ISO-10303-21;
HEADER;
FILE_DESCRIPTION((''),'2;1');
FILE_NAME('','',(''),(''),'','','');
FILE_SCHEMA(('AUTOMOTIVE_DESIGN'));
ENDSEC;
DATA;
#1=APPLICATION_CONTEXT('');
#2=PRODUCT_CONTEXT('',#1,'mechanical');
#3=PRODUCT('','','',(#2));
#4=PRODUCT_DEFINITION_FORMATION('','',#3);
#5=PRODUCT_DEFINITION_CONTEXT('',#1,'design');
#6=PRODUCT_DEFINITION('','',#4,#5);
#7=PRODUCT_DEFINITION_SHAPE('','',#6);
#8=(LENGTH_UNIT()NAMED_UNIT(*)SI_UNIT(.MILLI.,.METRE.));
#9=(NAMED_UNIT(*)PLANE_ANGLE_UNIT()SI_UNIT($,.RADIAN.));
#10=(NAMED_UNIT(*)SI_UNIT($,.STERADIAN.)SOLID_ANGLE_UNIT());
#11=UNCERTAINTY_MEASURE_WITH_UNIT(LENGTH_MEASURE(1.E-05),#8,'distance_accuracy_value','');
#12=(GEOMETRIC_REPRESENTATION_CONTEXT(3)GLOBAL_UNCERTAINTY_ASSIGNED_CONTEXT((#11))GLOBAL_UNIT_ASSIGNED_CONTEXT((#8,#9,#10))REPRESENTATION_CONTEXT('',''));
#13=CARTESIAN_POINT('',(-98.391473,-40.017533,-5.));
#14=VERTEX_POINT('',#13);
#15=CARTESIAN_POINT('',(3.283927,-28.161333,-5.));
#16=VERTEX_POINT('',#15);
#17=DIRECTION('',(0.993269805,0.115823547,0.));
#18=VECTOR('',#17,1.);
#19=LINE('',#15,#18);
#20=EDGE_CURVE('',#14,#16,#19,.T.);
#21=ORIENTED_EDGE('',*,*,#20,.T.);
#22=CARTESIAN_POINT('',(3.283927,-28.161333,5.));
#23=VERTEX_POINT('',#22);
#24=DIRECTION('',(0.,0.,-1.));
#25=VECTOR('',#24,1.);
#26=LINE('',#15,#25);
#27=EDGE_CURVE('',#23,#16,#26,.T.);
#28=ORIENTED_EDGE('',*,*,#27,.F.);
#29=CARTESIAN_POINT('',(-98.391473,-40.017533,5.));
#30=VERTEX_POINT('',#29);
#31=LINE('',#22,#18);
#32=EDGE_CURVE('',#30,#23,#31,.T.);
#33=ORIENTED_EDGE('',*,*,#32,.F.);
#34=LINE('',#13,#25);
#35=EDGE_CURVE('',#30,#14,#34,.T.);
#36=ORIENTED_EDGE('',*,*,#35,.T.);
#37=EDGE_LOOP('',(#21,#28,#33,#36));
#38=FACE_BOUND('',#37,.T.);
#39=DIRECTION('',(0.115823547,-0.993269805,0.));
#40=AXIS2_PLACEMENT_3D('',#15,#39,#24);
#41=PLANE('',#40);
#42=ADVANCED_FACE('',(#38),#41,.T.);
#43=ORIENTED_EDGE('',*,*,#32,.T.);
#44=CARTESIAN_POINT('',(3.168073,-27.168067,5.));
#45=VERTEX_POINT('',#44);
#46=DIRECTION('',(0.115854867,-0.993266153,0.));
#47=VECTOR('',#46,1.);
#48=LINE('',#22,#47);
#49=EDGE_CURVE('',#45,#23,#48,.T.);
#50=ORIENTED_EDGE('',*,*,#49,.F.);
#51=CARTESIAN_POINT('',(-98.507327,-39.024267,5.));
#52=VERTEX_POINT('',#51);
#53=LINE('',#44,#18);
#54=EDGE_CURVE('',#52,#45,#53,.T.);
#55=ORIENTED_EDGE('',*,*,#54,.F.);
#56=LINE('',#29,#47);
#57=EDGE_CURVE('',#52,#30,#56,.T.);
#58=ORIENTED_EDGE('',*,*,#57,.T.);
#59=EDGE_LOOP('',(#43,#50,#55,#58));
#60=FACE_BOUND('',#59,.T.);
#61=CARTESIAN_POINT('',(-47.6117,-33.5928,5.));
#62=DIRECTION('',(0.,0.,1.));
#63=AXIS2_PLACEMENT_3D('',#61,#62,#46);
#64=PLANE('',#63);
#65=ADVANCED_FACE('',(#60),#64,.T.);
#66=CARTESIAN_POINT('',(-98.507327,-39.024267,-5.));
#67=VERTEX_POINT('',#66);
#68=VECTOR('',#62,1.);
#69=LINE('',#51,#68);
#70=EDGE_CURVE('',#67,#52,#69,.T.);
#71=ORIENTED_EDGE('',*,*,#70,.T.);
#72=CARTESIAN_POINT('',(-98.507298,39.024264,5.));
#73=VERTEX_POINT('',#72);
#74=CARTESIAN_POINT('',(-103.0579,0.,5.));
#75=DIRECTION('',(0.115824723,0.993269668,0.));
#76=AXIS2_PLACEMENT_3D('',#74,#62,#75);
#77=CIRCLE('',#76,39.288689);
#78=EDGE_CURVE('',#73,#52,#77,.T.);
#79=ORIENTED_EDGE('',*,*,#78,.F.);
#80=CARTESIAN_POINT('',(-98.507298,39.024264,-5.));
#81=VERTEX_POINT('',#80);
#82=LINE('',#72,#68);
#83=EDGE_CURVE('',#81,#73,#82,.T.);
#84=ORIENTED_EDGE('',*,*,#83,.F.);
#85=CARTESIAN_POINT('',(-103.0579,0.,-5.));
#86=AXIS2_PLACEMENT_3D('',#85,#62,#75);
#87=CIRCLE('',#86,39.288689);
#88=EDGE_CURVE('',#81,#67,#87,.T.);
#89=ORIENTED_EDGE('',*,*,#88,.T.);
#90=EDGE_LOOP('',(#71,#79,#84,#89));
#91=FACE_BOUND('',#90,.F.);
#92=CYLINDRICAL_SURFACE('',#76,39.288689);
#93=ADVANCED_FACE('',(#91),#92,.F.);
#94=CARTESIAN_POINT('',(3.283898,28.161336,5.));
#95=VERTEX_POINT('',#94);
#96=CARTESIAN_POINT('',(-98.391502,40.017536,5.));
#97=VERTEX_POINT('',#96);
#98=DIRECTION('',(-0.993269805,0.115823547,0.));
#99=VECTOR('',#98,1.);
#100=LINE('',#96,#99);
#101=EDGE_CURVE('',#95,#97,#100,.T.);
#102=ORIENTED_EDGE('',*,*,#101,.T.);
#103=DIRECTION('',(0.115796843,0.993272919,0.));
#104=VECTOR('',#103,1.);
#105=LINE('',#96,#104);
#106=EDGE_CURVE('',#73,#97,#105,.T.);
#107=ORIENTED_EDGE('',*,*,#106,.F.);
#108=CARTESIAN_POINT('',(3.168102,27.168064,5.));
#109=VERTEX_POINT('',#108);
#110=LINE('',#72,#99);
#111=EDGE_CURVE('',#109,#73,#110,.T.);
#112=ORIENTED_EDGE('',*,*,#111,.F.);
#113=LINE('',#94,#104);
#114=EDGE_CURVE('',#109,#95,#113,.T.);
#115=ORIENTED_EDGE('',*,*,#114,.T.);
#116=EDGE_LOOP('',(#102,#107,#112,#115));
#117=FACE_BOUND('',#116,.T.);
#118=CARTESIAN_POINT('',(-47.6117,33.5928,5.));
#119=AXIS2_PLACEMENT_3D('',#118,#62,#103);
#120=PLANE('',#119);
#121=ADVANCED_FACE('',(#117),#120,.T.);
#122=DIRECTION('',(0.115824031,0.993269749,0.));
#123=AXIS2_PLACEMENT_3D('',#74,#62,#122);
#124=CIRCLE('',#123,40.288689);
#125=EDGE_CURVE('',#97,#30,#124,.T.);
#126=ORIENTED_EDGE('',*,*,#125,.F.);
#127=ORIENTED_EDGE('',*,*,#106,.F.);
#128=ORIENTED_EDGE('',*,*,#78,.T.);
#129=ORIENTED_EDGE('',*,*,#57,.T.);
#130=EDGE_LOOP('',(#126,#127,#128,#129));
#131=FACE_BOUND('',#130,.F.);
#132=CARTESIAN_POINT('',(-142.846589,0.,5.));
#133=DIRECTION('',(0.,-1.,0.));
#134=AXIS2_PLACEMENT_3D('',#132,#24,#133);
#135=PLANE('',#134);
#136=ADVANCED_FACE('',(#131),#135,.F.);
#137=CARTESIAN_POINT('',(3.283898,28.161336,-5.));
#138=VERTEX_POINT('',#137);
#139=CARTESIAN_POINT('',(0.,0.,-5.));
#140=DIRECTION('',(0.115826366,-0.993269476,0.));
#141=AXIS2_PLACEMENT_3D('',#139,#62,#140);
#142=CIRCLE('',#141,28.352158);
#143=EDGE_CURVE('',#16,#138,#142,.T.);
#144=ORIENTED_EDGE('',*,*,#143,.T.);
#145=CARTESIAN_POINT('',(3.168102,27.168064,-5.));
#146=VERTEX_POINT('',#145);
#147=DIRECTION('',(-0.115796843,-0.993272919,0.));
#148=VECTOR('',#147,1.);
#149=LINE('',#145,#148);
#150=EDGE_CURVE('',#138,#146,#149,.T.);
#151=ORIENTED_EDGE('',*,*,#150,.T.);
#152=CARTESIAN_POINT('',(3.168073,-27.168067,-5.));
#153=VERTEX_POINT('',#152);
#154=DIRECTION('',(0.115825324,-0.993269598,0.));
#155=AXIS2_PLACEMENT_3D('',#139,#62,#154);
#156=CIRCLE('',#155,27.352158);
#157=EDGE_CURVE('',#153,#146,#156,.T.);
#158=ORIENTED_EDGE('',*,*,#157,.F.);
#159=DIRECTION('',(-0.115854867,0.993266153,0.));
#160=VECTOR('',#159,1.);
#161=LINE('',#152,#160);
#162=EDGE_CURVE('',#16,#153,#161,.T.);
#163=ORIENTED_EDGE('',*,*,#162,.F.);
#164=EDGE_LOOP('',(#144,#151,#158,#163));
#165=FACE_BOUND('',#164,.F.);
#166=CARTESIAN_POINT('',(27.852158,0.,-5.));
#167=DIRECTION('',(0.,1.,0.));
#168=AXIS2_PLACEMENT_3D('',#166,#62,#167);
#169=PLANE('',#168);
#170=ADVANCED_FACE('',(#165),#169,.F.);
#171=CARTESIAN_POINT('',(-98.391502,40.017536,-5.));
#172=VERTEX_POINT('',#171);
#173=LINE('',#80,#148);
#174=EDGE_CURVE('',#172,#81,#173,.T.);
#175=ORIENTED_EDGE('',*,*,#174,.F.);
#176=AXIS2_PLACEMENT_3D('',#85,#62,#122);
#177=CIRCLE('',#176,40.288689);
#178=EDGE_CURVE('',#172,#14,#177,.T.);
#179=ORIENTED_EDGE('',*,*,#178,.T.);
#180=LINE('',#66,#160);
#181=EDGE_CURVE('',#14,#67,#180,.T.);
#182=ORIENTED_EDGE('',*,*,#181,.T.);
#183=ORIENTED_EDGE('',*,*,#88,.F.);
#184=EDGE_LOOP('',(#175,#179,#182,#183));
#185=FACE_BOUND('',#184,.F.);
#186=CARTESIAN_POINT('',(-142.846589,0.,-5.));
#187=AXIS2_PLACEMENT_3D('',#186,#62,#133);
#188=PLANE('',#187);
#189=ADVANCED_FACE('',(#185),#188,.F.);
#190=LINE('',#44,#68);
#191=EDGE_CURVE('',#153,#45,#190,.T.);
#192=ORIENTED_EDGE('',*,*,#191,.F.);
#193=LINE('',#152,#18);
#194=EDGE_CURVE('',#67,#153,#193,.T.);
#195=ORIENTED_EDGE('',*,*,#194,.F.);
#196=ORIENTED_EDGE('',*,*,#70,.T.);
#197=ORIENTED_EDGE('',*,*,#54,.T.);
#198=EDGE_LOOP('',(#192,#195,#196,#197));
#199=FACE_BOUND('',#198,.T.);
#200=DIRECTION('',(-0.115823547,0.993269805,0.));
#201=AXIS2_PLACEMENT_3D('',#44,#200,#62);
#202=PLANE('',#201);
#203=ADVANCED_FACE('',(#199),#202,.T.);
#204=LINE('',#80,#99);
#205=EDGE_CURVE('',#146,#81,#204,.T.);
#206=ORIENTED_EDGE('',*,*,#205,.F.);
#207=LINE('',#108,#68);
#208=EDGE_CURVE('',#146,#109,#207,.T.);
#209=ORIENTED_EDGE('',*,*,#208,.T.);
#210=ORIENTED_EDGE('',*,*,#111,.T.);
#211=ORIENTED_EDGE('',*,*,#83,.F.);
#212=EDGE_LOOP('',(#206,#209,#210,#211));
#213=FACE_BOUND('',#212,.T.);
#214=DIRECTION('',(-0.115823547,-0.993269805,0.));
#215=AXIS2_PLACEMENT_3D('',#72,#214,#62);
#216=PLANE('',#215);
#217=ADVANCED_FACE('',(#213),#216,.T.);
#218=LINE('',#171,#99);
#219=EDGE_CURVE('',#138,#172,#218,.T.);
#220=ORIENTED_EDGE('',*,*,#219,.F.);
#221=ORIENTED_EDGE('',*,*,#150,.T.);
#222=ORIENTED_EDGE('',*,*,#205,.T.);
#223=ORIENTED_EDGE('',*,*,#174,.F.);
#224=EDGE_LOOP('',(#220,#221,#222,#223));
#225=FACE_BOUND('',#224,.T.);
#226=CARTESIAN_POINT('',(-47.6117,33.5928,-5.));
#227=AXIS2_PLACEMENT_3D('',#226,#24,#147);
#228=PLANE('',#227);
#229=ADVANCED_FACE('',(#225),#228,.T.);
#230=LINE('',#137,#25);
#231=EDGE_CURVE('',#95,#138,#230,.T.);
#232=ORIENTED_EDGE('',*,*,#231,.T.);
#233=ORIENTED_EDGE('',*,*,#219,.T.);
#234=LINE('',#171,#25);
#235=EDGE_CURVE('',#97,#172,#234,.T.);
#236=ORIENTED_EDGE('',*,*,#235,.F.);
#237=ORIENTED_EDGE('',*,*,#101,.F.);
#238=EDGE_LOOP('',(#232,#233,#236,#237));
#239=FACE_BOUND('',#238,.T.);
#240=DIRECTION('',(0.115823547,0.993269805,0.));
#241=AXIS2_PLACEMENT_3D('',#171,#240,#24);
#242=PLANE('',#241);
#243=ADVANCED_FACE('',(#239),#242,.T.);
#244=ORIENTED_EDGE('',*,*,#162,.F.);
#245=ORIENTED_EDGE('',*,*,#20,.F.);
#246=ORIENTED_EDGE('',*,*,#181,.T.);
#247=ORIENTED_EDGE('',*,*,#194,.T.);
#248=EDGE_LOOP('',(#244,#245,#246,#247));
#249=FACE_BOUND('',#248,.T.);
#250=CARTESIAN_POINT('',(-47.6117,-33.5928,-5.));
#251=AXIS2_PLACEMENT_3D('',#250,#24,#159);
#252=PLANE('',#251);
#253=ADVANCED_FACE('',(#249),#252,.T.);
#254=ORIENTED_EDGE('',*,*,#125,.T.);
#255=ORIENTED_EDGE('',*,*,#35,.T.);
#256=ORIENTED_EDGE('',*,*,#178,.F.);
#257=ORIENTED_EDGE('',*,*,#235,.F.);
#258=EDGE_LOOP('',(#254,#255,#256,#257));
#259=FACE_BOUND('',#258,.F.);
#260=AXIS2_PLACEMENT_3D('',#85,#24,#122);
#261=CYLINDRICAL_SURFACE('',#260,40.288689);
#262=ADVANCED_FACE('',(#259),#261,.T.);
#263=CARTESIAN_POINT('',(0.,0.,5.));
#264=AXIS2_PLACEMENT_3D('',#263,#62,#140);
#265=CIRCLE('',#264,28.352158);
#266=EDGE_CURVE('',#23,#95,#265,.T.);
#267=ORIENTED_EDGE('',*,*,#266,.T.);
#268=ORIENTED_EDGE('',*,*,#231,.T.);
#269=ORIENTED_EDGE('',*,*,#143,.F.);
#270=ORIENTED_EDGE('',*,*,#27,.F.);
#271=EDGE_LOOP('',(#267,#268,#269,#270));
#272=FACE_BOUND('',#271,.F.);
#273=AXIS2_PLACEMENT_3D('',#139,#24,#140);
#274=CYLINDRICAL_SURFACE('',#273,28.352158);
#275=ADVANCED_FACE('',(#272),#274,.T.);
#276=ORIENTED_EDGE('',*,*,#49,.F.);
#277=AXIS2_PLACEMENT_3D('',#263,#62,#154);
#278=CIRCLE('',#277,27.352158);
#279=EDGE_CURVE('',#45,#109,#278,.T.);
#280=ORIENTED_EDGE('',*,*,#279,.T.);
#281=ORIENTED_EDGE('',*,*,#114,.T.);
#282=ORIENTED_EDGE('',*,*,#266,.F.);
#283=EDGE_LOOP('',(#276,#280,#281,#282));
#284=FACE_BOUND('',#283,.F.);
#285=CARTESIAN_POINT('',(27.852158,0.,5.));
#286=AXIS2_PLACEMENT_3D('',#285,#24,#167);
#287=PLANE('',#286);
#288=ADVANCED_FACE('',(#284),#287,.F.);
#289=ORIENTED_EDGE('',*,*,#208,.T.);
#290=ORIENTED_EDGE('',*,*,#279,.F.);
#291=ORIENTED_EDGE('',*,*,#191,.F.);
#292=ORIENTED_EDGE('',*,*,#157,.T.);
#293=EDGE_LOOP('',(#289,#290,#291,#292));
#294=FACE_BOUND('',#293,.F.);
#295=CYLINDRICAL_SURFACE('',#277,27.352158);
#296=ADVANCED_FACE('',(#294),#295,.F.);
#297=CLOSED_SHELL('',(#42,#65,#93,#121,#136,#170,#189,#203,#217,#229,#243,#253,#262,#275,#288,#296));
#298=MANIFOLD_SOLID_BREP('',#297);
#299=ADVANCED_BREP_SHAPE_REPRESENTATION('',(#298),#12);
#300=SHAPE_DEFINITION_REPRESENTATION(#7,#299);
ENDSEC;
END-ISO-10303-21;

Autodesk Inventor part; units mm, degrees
sketch "Sketch Path" plane through (0, 0, 0) normal (0, 0, 1) x (1, 0, 0)
  arc A0 (3.226, -27.6647) -> (3.226, 27.6647) centre (0, 0) ccw
  arc A1 (-98.4494, 39.5209) -> (-98.4494, -39.5209) centre (-103.0579, 0) ccw
  line L0 (-98.4494, 39.5209) -> (3.226, 27.6647)
  line L1 (3.226, -27.6647) -> (-98.4494, -39.5209)
ref_plane "Cross Section Plane" through (3.226, 27.6647, 0) normal (-0.9933, 0.1158, 0) x (0, 0, 1)
ref_plane "Work Plane2" through (0, 0, 0) normal (-1, 0, 0) x (0, 0, 1)
ref_plane "Work Plane3" through (-103.0579, 0, 0) normal (0.9995, 0.0314, 0) x (0, 0, 1)
sketch "Cross Section" plane through (3.226, 27.6647, 0) normal (-0.9933, 0.1158, 0) x (0, 0, 1)
  line L0 (-5, 0.5) -> (5, 0.5)
  line L1 (5, 0.5) -> (5, -0.5)
  line L2 (5, -0.5) -> (-5, -0.5)
  line L3 (-5, -0.5) -> (-5, 0.5)
  line L4 (-5, 0) -> (5, 0) construction
  point P0 (0, 0)
  point P1 (0, 0)
  dimension "d0" = 10
  dimension "d4" = 0.5
  dimension "d5" = 0.5
sweep "Belt" add profiles "Cross Section" path "Sketch Path"
equation "\"d0\" = da_B"
equation "\"d4\" = da_a"
equation "\"d5\" = da_a2"
equation "\"da_B\" = 10"
equation "\"da_pb\" = 5"
equation "\"da_a\" = 0.5"
equation "\"da_S\" = 2.65"
equation "\"da_Beta\" = 20deg"
equation "\"da_Ht\" = 1.2"
equation "\"da_H\" = 2.2"
equation "\"da_a2\" = 0.5"
properties part number "Synchronous Belt" material "Rubber"
